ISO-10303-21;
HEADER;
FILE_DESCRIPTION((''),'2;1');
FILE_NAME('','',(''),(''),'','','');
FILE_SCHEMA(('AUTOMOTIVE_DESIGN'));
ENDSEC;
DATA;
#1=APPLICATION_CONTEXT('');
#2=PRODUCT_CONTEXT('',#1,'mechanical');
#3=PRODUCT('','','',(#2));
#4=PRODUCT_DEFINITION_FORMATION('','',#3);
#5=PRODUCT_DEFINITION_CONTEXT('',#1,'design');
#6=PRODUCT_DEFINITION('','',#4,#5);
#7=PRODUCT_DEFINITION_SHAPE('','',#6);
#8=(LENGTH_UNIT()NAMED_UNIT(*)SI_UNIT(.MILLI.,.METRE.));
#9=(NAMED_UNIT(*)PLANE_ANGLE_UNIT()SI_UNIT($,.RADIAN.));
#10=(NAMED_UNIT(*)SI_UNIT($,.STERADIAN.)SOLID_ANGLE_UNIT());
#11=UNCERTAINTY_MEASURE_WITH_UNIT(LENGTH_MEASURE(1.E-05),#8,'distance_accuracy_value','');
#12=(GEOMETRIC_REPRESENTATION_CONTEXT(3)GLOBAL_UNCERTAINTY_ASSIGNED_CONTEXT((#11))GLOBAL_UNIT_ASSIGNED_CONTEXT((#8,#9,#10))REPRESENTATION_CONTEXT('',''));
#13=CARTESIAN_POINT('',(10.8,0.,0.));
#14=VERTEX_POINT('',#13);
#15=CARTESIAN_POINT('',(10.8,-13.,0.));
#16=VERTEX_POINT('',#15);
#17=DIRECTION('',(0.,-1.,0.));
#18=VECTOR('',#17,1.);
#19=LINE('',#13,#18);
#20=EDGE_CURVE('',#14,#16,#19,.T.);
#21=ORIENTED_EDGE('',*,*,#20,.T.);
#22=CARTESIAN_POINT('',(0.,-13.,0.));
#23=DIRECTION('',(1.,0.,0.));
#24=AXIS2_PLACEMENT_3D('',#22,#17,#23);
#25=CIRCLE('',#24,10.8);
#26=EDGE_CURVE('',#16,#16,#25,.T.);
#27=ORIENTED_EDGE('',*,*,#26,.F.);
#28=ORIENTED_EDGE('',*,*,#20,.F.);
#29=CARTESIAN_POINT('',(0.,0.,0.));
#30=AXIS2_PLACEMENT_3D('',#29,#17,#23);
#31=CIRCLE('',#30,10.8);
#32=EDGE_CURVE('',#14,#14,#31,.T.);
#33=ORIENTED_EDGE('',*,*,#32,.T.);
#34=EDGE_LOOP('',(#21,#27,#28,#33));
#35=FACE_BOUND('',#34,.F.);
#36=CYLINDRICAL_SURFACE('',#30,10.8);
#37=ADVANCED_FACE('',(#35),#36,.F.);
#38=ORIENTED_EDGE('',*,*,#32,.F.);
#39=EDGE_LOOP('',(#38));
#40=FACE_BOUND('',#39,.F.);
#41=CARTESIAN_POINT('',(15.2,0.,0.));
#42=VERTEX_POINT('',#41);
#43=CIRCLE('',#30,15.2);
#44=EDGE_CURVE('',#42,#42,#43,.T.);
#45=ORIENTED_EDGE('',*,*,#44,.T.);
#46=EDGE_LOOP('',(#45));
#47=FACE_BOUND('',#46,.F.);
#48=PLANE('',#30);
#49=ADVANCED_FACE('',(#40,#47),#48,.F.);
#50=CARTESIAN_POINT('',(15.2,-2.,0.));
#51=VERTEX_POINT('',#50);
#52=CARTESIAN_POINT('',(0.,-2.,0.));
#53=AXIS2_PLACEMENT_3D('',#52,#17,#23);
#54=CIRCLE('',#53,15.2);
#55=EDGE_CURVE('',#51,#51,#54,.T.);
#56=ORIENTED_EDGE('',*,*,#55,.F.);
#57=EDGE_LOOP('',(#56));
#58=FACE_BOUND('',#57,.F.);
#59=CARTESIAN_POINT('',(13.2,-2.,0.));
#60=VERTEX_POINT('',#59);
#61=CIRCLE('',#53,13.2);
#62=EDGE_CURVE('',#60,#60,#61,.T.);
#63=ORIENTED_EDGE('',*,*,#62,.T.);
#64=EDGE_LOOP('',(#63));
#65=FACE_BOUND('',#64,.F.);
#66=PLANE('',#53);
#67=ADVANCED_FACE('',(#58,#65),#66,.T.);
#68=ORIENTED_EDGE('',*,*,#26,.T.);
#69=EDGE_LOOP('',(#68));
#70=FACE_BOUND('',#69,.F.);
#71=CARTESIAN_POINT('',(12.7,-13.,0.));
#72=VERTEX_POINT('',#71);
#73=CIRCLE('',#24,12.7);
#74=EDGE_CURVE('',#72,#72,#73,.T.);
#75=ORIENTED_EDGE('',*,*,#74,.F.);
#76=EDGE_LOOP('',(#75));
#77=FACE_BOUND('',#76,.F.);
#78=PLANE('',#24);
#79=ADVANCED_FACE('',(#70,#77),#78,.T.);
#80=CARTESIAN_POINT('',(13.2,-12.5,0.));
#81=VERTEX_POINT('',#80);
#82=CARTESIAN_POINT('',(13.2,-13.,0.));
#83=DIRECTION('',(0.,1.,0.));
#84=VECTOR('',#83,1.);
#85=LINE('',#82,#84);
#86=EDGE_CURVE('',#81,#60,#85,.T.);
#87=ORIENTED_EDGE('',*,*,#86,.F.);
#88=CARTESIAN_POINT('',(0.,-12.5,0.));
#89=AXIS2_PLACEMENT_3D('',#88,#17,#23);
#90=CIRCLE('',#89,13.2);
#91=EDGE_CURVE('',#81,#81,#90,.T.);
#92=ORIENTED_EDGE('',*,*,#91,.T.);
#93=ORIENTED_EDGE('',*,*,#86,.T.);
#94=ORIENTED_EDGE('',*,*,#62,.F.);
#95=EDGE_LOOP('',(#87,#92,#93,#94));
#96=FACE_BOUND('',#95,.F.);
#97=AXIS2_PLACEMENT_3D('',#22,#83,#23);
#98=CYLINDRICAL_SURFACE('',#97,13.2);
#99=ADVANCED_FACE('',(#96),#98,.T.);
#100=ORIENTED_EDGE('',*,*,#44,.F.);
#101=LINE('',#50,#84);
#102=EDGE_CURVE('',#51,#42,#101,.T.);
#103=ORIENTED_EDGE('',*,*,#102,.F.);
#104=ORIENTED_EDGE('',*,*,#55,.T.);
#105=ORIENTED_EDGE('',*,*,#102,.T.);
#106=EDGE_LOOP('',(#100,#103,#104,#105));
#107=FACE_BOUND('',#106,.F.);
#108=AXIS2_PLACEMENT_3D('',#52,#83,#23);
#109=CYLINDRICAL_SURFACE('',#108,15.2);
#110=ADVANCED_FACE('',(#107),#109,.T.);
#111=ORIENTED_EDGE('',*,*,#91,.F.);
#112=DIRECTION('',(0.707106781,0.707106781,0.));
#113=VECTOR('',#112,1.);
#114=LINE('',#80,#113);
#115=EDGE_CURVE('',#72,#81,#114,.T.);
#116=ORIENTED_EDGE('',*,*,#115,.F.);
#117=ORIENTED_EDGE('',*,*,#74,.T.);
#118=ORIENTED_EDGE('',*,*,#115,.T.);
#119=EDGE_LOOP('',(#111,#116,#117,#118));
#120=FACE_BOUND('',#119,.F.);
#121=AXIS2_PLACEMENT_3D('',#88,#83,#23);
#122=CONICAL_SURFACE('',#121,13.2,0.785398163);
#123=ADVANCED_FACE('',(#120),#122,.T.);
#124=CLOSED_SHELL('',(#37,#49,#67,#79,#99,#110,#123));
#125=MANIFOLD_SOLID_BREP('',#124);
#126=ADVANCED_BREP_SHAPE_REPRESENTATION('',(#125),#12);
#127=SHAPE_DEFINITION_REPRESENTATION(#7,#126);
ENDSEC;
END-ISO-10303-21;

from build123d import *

# Parameters (mm, degrees)
F2_SIZE = 0.5


with BuildPart() as f1:
    # F0 (on Top) → F1 (revolve)
    with BuildSketch(Plane.XY):
        Polygon((15.2, 0), (10.8, 0), (10.8, -13), (13.2, -13), (13.2, -2), (15.2, -2), align=None)
    revolve(axis=Axis((0, -6.5, 0), (0, -1, 0)))

    # F2
    f2_edges = [f1.edges().sort_by_distance(p)[0] for p in [
        (-13.2, -13, 0),
    ]]
    chamfer(f2_edges, length=F2_SIZE)


solid = f1.part
